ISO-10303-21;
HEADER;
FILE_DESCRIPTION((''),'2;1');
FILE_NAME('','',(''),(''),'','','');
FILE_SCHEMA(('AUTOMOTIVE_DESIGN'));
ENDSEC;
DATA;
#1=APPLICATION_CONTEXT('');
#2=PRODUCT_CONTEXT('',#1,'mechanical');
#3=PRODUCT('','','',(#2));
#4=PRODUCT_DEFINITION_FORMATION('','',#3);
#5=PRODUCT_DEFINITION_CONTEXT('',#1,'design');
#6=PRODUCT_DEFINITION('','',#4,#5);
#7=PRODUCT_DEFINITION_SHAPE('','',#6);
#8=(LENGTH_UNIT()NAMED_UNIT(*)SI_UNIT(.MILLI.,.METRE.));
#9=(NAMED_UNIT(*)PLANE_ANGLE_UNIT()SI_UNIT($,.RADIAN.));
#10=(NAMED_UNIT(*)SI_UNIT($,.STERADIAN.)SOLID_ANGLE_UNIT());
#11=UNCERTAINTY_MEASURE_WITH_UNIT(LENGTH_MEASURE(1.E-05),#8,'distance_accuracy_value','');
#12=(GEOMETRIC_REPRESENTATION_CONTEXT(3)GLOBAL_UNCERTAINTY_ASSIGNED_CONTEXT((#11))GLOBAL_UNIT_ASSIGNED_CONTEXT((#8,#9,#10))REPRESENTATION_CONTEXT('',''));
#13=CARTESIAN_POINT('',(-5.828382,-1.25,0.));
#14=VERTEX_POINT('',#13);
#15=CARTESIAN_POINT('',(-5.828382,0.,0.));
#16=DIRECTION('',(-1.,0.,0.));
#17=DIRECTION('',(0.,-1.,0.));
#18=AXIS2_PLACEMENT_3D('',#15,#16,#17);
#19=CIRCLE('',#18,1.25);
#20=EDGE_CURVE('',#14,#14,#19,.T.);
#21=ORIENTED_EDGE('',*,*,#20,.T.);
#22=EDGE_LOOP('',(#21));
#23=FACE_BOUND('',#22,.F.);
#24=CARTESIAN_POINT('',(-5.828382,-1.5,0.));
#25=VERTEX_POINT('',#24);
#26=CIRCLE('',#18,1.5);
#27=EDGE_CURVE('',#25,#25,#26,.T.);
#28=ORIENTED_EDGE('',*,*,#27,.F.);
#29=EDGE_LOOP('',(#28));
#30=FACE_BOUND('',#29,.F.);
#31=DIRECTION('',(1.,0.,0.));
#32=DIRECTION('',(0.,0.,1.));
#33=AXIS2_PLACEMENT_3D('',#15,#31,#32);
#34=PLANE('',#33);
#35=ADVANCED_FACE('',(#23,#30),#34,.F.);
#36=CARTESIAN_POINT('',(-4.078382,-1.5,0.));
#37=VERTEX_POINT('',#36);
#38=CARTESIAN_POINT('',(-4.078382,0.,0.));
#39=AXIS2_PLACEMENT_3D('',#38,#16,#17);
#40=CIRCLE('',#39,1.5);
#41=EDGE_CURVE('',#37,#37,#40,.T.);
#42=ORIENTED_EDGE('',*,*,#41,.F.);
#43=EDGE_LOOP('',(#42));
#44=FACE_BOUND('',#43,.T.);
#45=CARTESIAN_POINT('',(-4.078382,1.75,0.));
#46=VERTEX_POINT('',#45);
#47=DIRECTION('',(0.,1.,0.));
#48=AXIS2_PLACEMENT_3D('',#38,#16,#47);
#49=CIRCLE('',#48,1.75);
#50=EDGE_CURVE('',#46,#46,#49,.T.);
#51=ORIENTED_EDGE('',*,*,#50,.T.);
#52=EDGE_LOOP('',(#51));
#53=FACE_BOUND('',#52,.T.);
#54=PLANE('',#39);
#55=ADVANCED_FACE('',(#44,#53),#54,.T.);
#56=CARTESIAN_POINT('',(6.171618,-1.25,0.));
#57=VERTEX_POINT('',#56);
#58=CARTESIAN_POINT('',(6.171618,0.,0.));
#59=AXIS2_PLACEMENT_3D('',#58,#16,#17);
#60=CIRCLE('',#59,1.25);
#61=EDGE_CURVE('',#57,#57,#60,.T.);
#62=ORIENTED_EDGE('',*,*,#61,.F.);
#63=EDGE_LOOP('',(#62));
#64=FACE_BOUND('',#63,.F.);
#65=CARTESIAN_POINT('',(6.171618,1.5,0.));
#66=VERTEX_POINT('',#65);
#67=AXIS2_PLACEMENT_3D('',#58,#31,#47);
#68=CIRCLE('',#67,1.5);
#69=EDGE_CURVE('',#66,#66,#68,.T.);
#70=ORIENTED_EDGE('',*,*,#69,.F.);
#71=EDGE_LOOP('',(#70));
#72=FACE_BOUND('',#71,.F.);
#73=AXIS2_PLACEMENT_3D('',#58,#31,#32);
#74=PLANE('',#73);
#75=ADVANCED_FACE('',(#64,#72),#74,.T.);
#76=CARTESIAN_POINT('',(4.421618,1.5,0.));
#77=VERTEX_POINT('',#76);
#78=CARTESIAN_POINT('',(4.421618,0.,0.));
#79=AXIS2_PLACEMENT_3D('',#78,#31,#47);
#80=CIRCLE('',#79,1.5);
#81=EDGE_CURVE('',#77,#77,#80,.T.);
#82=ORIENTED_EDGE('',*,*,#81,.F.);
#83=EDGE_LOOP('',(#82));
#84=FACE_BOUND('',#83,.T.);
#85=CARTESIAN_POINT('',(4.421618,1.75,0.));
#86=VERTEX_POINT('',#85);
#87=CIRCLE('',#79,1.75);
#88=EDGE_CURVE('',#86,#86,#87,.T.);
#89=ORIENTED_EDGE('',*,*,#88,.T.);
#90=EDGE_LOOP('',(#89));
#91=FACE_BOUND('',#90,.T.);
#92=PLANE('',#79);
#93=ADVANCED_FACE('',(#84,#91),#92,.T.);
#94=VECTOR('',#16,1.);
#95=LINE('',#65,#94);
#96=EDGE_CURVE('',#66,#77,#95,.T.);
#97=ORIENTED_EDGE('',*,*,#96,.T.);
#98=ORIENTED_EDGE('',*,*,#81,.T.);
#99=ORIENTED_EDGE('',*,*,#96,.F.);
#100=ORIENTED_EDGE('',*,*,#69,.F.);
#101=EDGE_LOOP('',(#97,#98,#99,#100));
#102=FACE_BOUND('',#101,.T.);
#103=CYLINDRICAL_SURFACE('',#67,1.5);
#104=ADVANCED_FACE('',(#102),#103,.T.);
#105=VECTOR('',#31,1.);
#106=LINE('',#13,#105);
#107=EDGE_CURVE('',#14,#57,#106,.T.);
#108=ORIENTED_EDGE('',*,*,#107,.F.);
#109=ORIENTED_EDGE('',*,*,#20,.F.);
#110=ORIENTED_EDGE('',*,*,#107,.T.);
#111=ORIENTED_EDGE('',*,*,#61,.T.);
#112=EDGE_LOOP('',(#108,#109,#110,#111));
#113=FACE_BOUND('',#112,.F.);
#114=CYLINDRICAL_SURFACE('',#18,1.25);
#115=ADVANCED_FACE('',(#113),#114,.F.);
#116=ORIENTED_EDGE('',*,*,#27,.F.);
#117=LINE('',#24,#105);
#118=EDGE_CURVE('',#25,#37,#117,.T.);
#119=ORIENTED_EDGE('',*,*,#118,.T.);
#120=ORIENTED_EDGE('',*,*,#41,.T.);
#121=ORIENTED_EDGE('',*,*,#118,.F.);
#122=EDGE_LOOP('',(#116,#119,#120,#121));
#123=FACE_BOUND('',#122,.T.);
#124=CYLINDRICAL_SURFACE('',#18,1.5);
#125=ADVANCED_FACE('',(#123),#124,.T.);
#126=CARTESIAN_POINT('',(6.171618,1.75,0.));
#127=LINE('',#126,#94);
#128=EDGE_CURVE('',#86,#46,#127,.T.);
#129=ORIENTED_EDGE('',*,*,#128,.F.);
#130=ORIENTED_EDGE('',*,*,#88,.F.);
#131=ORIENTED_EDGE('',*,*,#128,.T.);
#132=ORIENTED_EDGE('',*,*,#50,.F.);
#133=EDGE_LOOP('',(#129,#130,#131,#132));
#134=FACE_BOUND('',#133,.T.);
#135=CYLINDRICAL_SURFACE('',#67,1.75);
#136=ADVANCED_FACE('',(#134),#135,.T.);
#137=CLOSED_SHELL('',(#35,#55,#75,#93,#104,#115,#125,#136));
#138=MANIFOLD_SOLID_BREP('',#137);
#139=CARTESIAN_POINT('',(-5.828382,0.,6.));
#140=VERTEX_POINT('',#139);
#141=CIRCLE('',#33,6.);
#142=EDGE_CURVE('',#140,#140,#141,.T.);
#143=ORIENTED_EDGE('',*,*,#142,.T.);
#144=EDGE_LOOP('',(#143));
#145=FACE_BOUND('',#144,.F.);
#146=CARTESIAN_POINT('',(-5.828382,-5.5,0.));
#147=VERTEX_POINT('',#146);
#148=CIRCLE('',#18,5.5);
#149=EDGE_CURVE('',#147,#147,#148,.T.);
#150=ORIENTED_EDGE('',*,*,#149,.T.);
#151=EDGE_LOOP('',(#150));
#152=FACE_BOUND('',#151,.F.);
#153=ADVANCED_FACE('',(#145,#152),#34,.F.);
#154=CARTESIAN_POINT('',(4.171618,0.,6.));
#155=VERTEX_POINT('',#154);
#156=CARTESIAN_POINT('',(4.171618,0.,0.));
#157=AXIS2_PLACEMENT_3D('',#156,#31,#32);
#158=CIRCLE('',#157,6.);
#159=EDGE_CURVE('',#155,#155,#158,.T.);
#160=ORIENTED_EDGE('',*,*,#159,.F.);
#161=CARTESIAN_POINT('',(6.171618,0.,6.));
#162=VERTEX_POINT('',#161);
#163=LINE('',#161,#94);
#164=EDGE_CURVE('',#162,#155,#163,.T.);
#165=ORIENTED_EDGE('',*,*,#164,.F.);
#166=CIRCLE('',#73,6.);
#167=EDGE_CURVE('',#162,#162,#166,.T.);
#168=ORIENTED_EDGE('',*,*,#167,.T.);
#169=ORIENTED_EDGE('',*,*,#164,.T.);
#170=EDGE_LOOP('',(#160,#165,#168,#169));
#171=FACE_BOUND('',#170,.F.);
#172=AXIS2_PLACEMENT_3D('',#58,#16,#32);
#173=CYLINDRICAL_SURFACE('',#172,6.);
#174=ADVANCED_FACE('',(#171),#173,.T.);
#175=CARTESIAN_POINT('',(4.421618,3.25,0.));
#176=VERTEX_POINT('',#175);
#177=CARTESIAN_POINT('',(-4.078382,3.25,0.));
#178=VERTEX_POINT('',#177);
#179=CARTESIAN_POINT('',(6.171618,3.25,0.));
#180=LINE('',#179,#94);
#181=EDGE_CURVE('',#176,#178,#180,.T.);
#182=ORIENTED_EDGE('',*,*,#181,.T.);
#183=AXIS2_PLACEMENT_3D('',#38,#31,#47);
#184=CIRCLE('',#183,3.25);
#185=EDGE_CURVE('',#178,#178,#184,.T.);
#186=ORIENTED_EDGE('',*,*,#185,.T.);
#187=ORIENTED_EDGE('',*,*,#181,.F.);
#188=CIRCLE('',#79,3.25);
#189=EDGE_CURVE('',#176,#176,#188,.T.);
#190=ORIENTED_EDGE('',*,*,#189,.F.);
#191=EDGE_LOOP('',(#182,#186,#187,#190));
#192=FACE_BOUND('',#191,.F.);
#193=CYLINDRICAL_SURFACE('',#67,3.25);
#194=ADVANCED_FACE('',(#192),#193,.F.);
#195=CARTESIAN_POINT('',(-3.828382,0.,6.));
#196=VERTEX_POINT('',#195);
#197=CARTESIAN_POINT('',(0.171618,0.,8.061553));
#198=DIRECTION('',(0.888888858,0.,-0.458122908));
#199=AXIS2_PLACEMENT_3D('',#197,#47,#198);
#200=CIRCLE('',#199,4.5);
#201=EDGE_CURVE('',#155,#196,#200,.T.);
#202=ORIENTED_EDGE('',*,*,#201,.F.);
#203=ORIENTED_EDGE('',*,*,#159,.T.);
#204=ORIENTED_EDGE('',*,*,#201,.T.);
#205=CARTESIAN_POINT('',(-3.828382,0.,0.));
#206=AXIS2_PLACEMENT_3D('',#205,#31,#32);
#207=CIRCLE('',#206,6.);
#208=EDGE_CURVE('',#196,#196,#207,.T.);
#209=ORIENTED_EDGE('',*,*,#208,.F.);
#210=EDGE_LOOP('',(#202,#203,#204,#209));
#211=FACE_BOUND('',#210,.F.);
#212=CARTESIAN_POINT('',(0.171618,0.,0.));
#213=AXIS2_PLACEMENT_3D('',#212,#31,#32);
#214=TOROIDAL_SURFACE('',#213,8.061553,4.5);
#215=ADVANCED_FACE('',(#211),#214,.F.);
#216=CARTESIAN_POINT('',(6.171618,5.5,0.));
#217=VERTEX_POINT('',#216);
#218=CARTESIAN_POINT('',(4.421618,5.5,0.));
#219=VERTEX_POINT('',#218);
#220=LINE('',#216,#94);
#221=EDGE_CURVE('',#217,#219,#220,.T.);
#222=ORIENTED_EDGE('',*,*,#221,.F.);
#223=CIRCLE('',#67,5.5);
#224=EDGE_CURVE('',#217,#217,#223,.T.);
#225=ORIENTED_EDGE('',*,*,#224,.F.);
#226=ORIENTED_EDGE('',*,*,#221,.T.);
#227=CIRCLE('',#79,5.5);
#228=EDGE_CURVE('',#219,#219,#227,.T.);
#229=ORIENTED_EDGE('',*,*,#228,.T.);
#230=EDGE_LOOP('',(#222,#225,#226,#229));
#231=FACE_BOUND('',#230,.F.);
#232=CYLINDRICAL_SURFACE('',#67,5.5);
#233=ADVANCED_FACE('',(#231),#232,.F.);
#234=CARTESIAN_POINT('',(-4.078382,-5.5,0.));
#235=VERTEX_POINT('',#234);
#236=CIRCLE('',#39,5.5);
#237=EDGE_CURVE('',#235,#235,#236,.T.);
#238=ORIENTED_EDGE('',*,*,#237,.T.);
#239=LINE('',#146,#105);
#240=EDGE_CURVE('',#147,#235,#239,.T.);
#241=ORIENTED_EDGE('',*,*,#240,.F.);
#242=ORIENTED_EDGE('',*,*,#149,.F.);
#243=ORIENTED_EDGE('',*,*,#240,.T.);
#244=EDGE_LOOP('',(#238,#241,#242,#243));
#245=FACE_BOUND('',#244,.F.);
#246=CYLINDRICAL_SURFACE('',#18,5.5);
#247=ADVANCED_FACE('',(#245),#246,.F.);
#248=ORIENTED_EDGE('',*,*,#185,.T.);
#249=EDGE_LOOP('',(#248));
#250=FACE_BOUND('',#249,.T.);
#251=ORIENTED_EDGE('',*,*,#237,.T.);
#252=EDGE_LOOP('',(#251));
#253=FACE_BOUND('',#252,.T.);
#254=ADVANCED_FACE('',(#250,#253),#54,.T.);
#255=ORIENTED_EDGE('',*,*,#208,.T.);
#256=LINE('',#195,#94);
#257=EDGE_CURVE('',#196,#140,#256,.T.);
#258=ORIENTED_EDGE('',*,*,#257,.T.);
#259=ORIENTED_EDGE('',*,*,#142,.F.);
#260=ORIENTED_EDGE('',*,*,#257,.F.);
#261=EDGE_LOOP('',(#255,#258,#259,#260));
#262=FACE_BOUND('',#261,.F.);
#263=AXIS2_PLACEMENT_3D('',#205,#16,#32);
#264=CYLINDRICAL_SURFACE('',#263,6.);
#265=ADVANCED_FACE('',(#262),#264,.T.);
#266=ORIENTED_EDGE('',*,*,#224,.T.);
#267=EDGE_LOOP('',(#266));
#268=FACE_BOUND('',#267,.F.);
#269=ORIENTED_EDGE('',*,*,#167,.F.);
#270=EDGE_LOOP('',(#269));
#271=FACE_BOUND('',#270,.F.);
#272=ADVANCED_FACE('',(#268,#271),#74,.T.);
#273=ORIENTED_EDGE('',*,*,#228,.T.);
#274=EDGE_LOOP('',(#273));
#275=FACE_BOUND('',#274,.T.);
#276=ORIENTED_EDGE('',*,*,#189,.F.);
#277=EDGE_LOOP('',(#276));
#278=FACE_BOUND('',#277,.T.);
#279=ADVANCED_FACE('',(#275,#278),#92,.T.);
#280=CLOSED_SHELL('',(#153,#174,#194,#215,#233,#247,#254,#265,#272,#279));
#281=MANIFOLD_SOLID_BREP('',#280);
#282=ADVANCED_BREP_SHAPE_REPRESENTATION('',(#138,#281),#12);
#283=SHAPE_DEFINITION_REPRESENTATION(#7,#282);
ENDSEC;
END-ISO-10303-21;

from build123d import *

# Parameters (mm, degrees)
F2_R      = 1.25
F3_DEPTH  = 12.001
F4_R      = 5.5
F4_R_2    = 3.25
F5_DEPTH  = 1.75
F6_R      = 5.5
F6_R_2    = 3.25
F7_DEPTH  = 1.75
F4_R_3    = 1.75
F8_DEPTH  = 12.001
F4_R_4    = 1.5
F9_DEPTH  = 1.75
F10_R     = 1.75
F10_R_2   = 1.5
F11_DEPTH = 1.75


with BuildPart() as f1:
    # F0 (on Front) → F1 (revolve)
    with BuildSketch(Plane.XZ):
        with BuildLine():
            Line((-5.828382, 6), (-5.828382, 0))
            Line((-5.828382, 0), (6.171618, 0))
            Line((6.171618, 0), (6.171618, 6))
            Line((6.171618, 6), (4.171618, 6))
            ThreePointArc((4.171618, 6), (0.171618, 3.561553), (-3.828382, 6))
            Line((-3.828382, 6), (-5.828382, 6))
        make_face()
    revolve(axis=Axis((0.171618, 0, 0), (1, 0, 0)))

    # F2 (on face) → F3 (cut, through all)
    with BuildSketch(Plane(origin=(-5.828382, 0, 0), x_dir=(0, -1, 0), z_dir=(-1, 0, 0))):
        Circle(F2_R)
    extrude(amount=-F3_DEPTH, mode=Mode.SUBTRACT)

    # F4 (on face) → F5 (cut)
    with BuildSketch(Plane.YZ.offset(6.171618)):
        Circle(F4_R)
        Circle(F4_R_2, mode=Mode.SUBTRACT)
    extrude(amount=-F5_DEPTH, mode=Mode.SUBTRACT)

    # F6 (on face) → F7 (cut)
    with BuildSketch(Plane(origin=(-5.828382, 0, 0), x_dir=(0, -1, 0), z_dir=(-1, 0, 0))):
        Circle(F6_R)
        Circle(F6_R_2, mode=Mode.SUBTRACT)
    extrude(amount=-F7_DEPTH, mode=Mode.SUBTRACT)

    # F4 (on face) → F8 (cut, through all)
    with BuildSketch(Plane.YZ.offset(6.171618)):
        Circle(F4_R_2)
        Circle(F4_R_3, mode=Mode.SUBTRACT)
    extrude(amount=-F8_DEPTH, mode=Mode.SUBTRACT)

    # F4 (on face) → F9 (cut)
    with BuildSketch(Plane.YZ.offset(6.171618)):
        Circle(F4_R_3)
        Circle(F4_R_4, mode=Mode.SUBTRACT)
    extrude(amount=-F9_DEPTH, mode=Mode.SUBTRACT)

    # F10 (on face) → F11 (cut)
    with BuildSketch(Plane(origin=(-5.828382, 0, 0), x_dir=(0, -1, 0), z_dir=(-1, 0, 0))):
        Circle(F10_R)
        Circle(F10_R_2, mode=Mode.SUBTRACT)
    extrude(amount=-F11_DEPTH, mode=Mode.SUBTRACT)


solid = f1.part
